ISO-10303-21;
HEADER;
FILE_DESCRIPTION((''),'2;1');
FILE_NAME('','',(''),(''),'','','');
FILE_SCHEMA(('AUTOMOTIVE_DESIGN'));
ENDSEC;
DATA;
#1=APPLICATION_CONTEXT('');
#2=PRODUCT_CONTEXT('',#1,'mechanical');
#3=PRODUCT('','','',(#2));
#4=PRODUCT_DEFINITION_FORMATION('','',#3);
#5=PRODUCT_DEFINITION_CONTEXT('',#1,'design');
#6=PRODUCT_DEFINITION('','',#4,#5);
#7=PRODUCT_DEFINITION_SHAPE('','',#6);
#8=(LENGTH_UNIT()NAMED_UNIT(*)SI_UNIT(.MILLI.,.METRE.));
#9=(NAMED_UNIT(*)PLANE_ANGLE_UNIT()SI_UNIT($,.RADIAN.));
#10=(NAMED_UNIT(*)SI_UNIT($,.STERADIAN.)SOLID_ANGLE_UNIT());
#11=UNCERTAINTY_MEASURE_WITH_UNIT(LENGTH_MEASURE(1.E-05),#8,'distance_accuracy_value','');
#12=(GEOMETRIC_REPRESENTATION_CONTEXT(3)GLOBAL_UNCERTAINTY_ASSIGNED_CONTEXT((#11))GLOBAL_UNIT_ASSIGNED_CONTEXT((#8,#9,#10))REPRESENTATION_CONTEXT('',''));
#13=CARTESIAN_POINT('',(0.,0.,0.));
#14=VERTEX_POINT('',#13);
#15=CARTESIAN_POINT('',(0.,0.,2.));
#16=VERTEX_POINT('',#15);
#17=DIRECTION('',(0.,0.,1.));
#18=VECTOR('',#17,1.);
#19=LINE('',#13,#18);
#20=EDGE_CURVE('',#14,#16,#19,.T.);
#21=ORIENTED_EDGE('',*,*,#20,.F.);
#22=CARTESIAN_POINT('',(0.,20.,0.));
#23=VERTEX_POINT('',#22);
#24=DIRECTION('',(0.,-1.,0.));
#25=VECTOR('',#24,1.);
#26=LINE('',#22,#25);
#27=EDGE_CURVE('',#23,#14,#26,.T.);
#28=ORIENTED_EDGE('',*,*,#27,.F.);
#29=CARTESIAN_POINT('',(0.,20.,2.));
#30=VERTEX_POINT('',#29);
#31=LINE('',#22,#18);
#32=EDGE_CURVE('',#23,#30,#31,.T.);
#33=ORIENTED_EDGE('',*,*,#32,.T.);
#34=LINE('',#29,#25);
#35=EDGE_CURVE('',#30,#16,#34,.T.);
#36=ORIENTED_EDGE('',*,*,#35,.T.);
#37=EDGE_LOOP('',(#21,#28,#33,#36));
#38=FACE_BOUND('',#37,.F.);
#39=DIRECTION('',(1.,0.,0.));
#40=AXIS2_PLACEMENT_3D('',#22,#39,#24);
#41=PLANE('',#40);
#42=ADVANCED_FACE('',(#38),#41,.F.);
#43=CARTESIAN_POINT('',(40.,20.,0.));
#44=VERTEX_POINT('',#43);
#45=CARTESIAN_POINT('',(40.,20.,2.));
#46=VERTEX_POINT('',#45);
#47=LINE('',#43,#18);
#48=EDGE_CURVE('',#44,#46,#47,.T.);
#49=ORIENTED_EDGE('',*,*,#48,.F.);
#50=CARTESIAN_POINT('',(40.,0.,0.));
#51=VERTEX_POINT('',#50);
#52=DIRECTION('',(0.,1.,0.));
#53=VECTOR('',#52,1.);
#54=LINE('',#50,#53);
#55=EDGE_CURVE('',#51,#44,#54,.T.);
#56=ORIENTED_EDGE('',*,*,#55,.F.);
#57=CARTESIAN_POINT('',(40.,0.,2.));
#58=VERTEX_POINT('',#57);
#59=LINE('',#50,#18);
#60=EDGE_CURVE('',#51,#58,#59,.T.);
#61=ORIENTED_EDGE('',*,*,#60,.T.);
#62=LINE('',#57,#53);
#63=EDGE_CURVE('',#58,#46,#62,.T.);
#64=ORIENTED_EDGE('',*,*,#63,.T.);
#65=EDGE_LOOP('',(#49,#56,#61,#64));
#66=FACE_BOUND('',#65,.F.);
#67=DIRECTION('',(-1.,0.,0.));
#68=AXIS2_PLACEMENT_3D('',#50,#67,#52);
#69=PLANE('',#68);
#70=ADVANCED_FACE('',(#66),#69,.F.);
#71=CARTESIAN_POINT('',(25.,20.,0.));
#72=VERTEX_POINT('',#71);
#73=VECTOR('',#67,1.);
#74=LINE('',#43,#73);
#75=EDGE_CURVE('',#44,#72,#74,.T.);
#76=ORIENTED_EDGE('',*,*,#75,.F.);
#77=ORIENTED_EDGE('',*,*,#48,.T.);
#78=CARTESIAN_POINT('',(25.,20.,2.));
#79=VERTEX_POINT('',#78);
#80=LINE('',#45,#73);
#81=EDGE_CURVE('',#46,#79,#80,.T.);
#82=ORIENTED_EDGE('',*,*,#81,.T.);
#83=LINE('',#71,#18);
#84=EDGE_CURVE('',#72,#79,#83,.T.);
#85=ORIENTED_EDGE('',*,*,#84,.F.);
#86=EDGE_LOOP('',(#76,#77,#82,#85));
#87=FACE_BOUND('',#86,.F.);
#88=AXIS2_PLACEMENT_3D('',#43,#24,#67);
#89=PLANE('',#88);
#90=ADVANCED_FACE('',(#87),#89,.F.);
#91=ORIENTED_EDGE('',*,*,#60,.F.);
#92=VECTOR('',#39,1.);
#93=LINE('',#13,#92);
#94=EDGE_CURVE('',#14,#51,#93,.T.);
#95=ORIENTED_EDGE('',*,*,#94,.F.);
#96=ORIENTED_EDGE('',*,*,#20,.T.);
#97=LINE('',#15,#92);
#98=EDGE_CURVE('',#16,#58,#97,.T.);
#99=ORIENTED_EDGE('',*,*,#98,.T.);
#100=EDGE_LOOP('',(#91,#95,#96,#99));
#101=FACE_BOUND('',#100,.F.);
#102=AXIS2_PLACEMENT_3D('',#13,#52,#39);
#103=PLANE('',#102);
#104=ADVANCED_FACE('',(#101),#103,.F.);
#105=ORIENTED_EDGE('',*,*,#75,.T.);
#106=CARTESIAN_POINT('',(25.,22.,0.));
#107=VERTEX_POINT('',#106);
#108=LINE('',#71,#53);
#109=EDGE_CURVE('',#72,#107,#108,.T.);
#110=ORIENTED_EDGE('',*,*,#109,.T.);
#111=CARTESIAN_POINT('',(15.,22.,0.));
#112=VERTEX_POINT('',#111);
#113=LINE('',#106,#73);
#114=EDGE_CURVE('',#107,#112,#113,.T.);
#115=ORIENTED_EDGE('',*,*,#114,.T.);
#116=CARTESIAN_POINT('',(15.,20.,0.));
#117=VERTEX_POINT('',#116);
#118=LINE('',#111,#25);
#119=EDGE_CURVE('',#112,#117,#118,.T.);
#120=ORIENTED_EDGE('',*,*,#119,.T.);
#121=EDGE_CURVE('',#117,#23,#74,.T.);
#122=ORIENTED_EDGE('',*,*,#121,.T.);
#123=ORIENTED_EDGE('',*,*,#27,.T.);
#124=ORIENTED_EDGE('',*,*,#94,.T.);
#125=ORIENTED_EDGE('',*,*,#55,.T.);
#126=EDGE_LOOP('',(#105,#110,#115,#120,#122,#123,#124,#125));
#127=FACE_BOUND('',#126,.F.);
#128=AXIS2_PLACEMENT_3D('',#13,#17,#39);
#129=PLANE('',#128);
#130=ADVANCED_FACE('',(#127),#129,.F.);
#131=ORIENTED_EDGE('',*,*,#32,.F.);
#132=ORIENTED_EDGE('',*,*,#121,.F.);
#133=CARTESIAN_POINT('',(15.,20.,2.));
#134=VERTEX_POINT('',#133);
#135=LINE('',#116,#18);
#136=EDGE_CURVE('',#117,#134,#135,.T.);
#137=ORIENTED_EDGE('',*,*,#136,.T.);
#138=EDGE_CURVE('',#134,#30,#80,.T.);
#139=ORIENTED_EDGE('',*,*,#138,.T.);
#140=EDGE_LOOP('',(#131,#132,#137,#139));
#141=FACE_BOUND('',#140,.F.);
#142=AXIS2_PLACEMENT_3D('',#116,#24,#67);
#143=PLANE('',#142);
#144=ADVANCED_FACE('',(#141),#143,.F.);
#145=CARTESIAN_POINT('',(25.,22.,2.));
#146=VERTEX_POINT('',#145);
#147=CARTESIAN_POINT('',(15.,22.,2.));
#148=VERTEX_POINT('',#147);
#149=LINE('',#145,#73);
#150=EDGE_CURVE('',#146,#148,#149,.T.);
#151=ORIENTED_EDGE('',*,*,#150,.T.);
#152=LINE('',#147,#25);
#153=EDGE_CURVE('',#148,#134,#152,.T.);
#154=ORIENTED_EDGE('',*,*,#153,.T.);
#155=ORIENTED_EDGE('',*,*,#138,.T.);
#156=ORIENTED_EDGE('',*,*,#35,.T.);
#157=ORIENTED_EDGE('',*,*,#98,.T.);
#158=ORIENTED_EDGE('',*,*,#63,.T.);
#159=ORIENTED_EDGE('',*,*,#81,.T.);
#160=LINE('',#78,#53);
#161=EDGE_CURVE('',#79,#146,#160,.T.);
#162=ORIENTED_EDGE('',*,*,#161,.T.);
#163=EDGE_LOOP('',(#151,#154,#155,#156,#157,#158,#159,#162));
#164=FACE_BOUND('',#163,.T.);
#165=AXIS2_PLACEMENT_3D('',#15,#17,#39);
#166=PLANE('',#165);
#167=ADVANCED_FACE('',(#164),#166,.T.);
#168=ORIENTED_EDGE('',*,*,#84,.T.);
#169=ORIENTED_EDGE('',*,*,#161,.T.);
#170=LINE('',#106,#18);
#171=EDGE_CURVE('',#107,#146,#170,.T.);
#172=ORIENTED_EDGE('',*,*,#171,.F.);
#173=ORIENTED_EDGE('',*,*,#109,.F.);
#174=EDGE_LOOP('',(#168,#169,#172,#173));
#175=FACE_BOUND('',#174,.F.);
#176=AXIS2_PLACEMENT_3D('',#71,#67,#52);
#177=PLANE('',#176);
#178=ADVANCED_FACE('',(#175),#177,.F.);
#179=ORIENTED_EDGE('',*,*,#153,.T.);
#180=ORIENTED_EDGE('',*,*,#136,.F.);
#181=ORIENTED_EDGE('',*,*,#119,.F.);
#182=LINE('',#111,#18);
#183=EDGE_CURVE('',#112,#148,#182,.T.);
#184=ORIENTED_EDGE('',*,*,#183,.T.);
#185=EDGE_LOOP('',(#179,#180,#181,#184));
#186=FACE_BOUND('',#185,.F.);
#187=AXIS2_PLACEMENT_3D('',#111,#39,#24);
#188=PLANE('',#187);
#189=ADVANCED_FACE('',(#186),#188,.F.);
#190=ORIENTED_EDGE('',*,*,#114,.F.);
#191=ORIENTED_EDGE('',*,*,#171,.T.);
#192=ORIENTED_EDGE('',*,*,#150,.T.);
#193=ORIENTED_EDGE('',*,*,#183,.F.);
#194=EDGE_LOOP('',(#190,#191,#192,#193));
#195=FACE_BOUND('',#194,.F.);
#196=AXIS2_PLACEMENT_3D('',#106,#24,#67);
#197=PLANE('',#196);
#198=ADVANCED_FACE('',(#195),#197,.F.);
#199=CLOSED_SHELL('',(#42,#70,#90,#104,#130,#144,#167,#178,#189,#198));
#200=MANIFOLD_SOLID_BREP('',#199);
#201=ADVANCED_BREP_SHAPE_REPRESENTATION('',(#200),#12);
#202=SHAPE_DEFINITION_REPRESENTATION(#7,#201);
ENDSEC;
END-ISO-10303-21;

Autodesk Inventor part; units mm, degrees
ref_plane "YZ Plane" through (0, 0, 0) normal (1, 0, 0) x (0, 1, 0)
ref_plane "XZ Plane" through (0, 0, 0) normal (0, 1, 0) x (-1, 0, 0)
ref_plane "XY Plane" through (0, 0, 0) normal (0, 0, 1) x (1, 0, 0)
sketch "スケッチ1" plane through (0, 0, 0) normal (0, 0, 1) x (1, 0, 0)
  line L0 (0, 0) -> (40, 0)
  line L1 (40, 0) -> (40, 20)
  line L2 (40, 20) -> (0, 20)
  line L3 (0, 20) -> (0, 0)
  line L4 (15, 20) -> (25, 20)
  line L5 (25, 20) -> (25, 22)
  line L6 (25, 22) -> (15, 22)
  line L7 (15, 22) -> (15, 20)
  dimension "d0" = 20
  dimension "d1" = 40
  dimension "d2" = 10
  dimension "d3" = 2
  dimension "d4" = 20
  dimension "d5" = 15
extrude "押し出し1" add sketch "スケッチ1" along normal blind 2
properties part number "MoistureBeatrobo2l"
